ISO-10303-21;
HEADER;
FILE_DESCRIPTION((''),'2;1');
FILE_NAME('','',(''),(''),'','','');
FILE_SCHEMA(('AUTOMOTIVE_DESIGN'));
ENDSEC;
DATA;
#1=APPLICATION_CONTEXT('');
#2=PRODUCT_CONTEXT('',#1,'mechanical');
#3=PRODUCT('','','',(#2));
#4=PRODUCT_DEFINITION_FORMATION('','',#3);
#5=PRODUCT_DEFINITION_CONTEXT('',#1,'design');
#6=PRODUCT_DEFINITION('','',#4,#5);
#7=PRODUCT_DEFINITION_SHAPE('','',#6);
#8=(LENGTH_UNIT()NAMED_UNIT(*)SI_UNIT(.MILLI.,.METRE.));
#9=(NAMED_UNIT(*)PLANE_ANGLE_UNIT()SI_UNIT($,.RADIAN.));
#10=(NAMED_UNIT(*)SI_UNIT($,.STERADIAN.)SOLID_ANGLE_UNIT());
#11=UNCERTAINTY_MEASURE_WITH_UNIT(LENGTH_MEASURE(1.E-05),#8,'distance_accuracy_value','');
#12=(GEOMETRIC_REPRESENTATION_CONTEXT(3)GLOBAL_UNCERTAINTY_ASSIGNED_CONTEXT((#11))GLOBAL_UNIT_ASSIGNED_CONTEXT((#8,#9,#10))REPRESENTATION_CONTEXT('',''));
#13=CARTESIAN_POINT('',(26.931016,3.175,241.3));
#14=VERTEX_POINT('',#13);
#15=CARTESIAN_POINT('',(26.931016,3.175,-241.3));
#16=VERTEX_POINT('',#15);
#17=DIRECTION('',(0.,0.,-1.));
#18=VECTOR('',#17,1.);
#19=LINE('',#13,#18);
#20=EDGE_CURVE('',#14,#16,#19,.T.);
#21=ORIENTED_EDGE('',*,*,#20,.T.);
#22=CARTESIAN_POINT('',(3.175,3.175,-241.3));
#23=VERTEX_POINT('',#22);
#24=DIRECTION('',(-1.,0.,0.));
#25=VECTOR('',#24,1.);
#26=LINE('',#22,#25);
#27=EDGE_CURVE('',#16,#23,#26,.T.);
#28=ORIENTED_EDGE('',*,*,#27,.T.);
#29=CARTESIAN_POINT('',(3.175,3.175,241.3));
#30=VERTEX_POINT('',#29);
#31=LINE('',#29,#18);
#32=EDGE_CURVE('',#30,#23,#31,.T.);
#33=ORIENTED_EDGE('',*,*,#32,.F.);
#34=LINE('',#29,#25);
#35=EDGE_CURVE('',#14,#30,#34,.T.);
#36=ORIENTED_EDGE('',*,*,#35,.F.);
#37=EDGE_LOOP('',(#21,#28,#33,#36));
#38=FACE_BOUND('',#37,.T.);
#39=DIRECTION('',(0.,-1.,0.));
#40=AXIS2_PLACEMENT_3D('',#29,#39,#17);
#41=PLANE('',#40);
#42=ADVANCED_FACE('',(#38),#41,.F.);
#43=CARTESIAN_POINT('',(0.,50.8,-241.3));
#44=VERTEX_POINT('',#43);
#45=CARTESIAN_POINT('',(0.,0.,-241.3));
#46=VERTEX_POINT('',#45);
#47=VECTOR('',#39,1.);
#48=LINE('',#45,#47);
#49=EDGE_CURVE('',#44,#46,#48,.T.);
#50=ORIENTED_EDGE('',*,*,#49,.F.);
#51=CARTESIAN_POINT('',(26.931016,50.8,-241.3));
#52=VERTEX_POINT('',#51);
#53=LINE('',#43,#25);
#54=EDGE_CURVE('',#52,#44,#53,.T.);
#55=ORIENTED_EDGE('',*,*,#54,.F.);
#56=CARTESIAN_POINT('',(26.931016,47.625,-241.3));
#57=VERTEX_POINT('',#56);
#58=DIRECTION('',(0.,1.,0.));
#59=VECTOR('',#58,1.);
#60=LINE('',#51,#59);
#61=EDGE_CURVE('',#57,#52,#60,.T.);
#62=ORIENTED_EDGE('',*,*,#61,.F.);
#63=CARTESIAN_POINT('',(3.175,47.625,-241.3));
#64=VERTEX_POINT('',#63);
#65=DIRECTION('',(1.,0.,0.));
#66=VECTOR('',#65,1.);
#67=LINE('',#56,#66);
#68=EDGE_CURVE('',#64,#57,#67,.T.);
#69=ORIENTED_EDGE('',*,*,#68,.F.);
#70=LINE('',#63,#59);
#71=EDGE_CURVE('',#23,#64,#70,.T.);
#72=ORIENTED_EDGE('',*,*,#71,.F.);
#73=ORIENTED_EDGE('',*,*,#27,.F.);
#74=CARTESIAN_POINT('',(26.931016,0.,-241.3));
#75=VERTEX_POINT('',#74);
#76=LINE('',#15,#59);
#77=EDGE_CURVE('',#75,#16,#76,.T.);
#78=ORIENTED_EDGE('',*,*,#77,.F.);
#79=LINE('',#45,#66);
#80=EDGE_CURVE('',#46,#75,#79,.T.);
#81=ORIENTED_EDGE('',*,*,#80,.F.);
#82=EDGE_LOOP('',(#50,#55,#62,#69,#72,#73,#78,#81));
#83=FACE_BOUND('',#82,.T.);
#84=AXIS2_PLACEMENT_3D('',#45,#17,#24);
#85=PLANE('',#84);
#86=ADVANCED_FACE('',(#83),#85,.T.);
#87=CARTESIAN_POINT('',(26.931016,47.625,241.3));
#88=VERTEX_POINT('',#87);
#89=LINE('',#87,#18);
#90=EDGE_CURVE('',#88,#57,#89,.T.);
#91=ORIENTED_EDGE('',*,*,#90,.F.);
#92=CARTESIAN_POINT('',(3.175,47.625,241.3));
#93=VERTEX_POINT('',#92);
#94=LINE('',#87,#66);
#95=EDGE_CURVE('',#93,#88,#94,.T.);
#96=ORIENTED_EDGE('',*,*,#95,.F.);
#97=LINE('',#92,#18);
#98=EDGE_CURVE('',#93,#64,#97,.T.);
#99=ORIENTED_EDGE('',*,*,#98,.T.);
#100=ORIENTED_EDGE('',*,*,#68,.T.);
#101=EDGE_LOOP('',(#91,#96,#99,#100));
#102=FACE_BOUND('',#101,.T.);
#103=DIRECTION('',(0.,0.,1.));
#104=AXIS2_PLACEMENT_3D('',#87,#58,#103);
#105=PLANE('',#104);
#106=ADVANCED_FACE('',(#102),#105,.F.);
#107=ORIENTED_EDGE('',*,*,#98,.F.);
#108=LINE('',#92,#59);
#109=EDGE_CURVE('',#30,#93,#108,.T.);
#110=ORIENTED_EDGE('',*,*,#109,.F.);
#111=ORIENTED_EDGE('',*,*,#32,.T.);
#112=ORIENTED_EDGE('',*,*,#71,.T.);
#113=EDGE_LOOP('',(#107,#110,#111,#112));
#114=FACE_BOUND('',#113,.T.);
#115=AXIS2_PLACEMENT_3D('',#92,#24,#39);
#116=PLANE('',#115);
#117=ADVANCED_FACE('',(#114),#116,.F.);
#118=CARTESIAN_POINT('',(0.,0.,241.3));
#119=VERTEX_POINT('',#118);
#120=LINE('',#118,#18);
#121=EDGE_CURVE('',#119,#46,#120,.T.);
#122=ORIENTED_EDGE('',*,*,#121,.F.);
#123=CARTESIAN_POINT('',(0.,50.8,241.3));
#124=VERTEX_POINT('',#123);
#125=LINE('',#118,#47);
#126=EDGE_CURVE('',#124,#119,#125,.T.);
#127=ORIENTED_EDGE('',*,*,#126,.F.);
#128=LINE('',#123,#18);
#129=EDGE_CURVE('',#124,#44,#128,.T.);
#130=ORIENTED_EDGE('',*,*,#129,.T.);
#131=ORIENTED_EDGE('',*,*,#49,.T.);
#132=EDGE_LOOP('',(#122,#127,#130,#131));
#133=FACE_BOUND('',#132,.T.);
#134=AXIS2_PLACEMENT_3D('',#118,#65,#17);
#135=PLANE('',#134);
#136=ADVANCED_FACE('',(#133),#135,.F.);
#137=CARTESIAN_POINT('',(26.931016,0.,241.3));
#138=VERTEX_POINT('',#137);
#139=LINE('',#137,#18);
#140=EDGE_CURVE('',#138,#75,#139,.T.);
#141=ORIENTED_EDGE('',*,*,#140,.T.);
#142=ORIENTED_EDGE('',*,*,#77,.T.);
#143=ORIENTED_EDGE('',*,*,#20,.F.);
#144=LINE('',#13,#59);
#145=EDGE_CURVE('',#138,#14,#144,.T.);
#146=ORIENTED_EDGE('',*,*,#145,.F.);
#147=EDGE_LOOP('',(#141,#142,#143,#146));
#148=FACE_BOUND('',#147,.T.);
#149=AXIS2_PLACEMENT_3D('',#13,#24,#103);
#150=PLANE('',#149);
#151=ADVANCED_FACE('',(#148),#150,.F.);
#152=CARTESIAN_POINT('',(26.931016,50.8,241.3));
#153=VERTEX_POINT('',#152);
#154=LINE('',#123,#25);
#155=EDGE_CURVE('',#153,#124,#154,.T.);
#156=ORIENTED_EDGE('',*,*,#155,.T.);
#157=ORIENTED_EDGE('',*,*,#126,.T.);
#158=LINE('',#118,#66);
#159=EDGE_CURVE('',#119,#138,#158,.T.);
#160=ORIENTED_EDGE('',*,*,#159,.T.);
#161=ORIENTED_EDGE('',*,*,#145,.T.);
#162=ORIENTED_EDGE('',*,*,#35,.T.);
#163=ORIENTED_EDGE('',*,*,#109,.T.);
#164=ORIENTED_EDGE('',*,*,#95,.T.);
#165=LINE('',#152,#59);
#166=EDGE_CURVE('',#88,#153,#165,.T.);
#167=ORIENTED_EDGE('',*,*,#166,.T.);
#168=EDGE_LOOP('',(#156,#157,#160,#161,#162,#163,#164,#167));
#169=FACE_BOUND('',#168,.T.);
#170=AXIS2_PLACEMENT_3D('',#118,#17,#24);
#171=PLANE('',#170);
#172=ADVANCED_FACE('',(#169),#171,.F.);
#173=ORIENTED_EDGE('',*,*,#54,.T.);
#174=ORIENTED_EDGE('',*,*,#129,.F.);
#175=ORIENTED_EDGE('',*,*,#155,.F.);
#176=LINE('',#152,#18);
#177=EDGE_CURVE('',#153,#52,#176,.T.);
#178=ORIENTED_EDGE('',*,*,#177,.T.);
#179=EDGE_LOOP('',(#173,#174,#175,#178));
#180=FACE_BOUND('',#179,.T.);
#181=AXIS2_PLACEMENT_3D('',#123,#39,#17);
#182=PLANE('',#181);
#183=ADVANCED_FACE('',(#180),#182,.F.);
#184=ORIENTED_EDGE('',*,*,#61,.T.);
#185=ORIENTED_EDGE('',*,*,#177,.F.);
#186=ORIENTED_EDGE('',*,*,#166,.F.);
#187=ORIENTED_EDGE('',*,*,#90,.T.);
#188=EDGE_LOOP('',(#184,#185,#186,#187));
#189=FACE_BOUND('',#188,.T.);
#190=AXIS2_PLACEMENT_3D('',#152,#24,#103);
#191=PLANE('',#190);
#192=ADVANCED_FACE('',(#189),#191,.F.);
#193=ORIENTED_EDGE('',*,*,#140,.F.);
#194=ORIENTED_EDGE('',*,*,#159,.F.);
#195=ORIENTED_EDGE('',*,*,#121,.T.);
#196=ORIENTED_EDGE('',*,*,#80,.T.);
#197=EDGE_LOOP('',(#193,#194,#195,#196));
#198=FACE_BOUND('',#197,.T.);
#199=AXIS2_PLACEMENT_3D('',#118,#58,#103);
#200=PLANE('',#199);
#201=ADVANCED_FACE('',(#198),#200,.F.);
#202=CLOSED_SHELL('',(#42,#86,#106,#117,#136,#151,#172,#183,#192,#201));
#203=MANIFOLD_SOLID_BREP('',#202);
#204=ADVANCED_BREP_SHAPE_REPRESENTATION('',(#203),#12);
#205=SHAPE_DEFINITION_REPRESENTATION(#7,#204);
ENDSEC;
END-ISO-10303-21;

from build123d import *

# Parameters (mm, degrees)
BOSS_EXTRUDE1_DEPTH = 241.3


with BuildPart() as part:
    # Sketch1 → Boss-Extrude1 (new body, symmetric)
    with BuildSketch(Plane.XY):
        Polygon((0, 0), (26.931015876, 0), (26.931015876, 3.175), (3.175, 3.175), (3.175, 47.625), (26.931015876, 47.625), (26.931015876, 50.8), (0, 50.8), align=None)
    extrude(amount=BOSS_EXTRUDE1_DEPTH, both=True)


solid = part.part
